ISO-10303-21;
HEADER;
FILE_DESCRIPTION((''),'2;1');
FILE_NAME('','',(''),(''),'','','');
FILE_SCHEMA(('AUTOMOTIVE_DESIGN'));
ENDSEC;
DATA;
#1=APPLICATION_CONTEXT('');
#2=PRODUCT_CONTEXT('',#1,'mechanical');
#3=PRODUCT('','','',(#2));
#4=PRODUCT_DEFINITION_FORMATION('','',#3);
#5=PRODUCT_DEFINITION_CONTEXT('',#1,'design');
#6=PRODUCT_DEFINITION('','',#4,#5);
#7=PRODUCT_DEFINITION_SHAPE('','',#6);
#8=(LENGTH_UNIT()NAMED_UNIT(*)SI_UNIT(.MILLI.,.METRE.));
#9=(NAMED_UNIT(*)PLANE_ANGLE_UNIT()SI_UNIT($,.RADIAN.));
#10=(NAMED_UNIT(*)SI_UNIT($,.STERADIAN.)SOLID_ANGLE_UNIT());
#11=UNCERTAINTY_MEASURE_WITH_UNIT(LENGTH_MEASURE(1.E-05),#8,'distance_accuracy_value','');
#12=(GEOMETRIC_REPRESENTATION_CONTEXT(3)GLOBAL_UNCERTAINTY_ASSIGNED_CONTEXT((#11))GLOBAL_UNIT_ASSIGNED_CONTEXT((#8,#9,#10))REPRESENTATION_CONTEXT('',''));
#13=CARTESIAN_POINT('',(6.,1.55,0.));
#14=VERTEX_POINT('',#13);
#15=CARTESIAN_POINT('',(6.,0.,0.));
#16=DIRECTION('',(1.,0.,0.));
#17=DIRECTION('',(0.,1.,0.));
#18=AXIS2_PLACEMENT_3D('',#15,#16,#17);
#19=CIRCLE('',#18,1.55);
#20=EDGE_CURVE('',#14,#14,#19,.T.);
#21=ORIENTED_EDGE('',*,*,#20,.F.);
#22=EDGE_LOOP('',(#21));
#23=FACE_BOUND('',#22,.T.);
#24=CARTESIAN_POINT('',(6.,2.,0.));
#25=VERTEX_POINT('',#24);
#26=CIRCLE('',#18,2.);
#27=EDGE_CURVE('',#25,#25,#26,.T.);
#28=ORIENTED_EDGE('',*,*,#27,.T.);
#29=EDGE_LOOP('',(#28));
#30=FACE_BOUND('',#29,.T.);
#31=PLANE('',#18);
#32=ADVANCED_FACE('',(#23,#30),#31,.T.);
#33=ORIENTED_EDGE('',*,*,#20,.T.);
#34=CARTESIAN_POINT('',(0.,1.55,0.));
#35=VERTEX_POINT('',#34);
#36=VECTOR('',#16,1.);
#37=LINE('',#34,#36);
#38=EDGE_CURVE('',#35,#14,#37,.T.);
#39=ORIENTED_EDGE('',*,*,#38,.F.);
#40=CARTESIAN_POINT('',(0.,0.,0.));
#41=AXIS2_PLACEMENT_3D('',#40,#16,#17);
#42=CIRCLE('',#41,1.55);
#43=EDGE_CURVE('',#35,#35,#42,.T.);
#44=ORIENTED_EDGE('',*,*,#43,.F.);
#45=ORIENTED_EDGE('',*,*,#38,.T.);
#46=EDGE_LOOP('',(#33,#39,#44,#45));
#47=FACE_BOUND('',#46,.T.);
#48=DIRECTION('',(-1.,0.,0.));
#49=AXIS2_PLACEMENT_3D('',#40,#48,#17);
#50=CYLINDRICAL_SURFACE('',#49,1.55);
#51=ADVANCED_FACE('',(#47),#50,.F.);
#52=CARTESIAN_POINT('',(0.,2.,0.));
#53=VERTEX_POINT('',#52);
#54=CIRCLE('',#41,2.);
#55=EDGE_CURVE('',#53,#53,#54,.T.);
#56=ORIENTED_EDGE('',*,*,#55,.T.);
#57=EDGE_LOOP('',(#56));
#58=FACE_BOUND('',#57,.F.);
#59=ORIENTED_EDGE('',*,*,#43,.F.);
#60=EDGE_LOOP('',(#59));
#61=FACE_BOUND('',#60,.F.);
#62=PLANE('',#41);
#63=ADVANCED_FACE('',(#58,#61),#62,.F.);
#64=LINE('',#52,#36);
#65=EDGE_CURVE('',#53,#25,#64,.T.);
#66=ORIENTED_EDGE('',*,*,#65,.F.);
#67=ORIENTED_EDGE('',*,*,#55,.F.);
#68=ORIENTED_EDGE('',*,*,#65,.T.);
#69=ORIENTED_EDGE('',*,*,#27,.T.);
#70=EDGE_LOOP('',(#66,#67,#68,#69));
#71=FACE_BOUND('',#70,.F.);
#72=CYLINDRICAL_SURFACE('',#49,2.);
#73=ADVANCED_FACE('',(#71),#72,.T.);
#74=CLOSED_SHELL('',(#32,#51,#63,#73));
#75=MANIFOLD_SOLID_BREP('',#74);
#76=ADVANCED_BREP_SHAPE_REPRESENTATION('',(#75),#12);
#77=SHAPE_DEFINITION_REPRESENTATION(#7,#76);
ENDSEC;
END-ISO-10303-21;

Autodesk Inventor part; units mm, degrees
ref_plane "YZ Plane" through (0, 0, 0) normal (1, 0, 0) x (0, 1, 0)
ref_plane "XZ Plane" through (0, 0, 0) normal (0, 1, 0) x (-1, 0, 0)
ref_plane "XY Plane" through (0, 0, 0) normal (0, 0, 1) x (1, 0, 0)
sketch "Sketch1" plane through (0, 0, 0) normal (1, 0, 0) x (0, 1, 0)
  circle A0 centre (0, 0) radius 2
  circle A1 centre (0, 0) radius 1.55
  dimension "d0" = 4
  dimension "d1" = 3.1
extrude "Extrusion1" add sketch "Sketch1" along normal blind 6
properties part number "5mm Bushing" material "Steel, Carbon"
